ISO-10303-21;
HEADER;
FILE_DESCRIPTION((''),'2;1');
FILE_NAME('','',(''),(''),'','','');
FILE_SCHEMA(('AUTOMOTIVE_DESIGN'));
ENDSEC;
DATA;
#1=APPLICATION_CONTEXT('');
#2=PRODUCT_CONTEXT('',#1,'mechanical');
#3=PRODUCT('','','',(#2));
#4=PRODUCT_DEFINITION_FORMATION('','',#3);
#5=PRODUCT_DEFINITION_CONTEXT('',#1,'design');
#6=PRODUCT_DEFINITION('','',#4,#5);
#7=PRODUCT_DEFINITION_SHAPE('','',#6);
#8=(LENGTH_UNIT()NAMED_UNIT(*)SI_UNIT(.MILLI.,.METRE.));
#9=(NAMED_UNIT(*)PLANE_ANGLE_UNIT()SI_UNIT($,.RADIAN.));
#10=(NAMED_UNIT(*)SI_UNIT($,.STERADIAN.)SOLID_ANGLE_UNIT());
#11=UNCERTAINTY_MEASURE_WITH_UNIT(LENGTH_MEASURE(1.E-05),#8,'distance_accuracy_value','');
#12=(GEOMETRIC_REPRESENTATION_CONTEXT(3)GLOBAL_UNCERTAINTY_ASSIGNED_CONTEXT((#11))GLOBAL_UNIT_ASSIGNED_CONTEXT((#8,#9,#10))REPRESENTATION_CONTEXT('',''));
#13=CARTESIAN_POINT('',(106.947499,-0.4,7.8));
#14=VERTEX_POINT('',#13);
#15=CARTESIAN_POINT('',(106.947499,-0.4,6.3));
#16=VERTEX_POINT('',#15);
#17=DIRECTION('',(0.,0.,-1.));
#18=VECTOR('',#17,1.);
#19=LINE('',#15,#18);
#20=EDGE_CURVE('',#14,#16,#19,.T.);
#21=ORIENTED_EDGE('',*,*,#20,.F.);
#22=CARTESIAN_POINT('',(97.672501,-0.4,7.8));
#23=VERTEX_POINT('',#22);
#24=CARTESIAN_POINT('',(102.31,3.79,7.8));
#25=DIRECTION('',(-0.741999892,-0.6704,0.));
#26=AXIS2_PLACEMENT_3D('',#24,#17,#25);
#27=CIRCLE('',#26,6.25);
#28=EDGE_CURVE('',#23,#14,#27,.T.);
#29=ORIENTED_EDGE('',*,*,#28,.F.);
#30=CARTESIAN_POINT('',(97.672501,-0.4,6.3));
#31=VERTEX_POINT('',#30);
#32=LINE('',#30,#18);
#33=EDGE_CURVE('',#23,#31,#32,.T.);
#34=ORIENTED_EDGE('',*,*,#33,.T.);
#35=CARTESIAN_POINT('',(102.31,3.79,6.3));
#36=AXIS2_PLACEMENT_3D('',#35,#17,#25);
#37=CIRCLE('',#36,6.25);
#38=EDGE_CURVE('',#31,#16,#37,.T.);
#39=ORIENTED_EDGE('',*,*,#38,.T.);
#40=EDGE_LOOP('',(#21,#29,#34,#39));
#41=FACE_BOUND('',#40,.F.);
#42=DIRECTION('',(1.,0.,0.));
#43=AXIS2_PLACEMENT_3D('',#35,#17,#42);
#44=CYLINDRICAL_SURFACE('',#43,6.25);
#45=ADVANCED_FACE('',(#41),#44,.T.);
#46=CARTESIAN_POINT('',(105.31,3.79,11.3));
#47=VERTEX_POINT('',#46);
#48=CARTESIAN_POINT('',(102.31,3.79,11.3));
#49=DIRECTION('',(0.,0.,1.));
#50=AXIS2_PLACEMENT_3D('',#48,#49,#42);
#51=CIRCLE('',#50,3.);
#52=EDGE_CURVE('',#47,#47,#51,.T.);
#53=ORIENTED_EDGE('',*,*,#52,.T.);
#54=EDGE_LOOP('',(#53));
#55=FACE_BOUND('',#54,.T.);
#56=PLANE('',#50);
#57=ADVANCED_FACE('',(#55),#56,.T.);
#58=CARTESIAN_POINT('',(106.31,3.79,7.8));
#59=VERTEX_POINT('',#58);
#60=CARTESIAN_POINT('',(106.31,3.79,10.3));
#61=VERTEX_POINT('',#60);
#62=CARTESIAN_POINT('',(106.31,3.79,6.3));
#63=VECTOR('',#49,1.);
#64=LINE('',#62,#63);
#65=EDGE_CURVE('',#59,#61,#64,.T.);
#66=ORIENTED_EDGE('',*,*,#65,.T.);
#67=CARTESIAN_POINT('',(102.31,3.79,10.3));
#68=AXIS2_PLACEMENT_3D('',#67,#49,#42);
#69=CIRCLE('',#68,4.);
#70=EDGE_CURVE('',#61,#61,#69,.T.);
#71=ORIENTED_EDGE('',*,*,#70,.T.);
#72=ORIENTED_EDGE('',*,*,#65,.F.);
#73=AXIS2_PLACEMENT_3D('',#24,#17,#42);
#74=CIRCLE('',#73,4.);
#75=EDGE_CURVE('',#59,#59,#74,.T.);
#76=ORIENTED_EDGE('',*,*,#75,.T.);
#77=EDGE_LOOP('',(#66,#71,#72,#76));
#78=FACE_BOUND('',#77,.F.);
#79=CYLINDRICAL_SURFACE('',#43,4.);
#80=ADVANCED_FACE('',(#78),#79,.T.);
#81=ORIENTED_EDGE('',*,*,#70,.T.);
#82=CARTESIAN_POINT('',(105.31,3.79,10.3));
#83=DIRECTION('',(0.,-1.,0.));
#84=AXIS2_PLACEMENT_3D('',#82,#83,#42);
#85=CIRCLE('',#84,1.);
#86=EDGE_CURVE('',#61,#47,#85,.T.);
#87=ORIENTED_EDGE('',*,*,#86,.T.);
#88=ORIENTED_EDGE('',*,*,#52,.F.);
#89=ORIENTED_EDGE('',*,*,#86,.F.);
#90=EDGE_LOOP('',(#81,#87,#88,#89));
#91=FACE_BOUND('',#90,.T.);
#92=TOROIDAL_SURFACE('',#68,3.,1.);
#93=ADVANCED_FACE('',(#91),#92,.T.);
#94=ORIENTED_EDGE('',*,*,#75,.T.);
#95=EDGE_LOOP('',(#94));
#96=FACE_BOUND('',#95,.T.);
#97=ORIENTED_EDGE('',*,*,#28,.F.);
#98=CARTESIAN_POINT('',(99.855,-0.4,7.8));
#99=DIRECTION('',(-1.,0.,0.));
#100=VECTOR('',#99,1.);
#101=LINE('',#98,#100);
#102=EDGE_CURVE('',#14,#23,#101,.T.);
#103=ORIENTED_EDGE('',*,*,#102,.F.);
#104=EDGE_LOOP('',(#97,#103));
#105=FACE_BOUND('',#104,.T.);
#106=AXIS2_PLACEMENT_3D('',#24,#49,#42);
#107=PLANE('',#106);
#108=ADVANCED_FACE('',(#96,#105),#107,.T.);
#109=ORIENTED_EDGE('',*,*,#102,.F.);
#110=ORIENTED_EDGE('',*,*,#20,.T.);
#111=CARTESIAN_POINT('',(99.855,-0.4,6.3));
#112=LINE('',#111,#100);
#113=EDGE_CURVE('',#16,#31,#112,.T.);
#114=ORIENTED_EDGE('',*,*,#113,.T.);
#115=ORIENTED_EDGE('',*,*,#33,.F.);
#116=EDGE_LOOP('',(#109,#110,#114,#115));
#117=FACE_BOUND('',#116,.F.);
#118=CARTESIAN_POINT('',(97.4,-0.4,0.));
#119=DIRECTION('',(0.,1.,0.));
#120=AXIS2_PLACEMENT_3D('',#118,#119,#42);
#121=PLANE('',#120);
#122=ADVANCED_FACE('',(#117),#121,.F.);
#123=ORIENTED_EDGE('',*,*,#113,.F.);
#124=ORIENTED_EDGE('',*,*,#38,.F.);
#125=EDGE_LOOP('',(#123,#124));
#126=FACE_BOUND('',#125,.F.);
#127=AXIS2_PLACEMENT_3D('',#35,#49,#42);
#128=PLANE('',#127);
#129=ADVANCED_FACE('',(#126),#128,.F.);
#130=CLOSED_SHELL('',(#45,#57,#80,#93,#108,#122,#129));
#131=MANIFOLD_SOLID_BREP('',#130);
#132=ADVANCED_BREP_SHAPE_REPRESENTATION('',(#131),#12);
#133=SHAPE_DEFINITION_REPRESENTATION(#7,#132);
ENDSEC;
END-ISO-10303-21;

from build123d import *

# Parameters (mm, degrees)
BOX118_W          = 10
BOX118_H          = 10
BOX118_DEPTH      = 10
CYLINDER021_R     = 4
CYLINDER021_DEPTH = 5
FILLET004_R       = 1
CYLINDER020_R     = 6.25
CYLINDER020_DEPTH = 1.5


with BuildPart() as cube108:
    # Box118 → Box118 (new body)
    with BuildSketch(Plane(origin=(97.4, -10.4, 0), x_dir=(1, 0, 0), z_dir=(0, 0, 1))):
        with Locations((5, 5)):
            Rectangle(BOX118_W, BOX118_H)
    extrude(amount=BOX118_DEPTH)


with BuildPart() as btn3_top:
    # Cylinder021 → Cylinder021 (new body)
    with BuildSketch(Plane(origin=(120.31, 3.79, 6.3), x_dir=(1, 0, 0), z_dir=(0, 0, 1))):
        Circle(CYLINDER021_R)
    extrude(amount=CYLINDER021_DEPTH)

    # Fillet004
    fillet004_edges = [btn3_top.edges().sort_by_distance(p)[0] for p in [
        (116.31, 3.79, 11.3),
    ]]
    fillet(fillet004_edges, radius=FILLET004_R)


with BuildPart() as cut074:
    # Cylinder020 → Cylinder020 (new body)
    with BuildSketch(Plane(origin=(120.31, 3.79, 6.3), x_dir=(1, 0, 0), z_dir=(0, 0, 1))):
        Circle(CYLINDER020_R)
    extrude(amount=CYLINDER020_DEPTH)

    # Fusion015: union Btn3_Top
    add(btn3_top.part)


with BuildPart() as cut074_1:
    # Fusion015 placement: moved
    add(cut074.part.moved(Location((-18, 0, 0))))

    # Cut074: cut Cube108
    add(cube108.part, mode=Mode.SUBTRACT)


solid = cut074_1.part
